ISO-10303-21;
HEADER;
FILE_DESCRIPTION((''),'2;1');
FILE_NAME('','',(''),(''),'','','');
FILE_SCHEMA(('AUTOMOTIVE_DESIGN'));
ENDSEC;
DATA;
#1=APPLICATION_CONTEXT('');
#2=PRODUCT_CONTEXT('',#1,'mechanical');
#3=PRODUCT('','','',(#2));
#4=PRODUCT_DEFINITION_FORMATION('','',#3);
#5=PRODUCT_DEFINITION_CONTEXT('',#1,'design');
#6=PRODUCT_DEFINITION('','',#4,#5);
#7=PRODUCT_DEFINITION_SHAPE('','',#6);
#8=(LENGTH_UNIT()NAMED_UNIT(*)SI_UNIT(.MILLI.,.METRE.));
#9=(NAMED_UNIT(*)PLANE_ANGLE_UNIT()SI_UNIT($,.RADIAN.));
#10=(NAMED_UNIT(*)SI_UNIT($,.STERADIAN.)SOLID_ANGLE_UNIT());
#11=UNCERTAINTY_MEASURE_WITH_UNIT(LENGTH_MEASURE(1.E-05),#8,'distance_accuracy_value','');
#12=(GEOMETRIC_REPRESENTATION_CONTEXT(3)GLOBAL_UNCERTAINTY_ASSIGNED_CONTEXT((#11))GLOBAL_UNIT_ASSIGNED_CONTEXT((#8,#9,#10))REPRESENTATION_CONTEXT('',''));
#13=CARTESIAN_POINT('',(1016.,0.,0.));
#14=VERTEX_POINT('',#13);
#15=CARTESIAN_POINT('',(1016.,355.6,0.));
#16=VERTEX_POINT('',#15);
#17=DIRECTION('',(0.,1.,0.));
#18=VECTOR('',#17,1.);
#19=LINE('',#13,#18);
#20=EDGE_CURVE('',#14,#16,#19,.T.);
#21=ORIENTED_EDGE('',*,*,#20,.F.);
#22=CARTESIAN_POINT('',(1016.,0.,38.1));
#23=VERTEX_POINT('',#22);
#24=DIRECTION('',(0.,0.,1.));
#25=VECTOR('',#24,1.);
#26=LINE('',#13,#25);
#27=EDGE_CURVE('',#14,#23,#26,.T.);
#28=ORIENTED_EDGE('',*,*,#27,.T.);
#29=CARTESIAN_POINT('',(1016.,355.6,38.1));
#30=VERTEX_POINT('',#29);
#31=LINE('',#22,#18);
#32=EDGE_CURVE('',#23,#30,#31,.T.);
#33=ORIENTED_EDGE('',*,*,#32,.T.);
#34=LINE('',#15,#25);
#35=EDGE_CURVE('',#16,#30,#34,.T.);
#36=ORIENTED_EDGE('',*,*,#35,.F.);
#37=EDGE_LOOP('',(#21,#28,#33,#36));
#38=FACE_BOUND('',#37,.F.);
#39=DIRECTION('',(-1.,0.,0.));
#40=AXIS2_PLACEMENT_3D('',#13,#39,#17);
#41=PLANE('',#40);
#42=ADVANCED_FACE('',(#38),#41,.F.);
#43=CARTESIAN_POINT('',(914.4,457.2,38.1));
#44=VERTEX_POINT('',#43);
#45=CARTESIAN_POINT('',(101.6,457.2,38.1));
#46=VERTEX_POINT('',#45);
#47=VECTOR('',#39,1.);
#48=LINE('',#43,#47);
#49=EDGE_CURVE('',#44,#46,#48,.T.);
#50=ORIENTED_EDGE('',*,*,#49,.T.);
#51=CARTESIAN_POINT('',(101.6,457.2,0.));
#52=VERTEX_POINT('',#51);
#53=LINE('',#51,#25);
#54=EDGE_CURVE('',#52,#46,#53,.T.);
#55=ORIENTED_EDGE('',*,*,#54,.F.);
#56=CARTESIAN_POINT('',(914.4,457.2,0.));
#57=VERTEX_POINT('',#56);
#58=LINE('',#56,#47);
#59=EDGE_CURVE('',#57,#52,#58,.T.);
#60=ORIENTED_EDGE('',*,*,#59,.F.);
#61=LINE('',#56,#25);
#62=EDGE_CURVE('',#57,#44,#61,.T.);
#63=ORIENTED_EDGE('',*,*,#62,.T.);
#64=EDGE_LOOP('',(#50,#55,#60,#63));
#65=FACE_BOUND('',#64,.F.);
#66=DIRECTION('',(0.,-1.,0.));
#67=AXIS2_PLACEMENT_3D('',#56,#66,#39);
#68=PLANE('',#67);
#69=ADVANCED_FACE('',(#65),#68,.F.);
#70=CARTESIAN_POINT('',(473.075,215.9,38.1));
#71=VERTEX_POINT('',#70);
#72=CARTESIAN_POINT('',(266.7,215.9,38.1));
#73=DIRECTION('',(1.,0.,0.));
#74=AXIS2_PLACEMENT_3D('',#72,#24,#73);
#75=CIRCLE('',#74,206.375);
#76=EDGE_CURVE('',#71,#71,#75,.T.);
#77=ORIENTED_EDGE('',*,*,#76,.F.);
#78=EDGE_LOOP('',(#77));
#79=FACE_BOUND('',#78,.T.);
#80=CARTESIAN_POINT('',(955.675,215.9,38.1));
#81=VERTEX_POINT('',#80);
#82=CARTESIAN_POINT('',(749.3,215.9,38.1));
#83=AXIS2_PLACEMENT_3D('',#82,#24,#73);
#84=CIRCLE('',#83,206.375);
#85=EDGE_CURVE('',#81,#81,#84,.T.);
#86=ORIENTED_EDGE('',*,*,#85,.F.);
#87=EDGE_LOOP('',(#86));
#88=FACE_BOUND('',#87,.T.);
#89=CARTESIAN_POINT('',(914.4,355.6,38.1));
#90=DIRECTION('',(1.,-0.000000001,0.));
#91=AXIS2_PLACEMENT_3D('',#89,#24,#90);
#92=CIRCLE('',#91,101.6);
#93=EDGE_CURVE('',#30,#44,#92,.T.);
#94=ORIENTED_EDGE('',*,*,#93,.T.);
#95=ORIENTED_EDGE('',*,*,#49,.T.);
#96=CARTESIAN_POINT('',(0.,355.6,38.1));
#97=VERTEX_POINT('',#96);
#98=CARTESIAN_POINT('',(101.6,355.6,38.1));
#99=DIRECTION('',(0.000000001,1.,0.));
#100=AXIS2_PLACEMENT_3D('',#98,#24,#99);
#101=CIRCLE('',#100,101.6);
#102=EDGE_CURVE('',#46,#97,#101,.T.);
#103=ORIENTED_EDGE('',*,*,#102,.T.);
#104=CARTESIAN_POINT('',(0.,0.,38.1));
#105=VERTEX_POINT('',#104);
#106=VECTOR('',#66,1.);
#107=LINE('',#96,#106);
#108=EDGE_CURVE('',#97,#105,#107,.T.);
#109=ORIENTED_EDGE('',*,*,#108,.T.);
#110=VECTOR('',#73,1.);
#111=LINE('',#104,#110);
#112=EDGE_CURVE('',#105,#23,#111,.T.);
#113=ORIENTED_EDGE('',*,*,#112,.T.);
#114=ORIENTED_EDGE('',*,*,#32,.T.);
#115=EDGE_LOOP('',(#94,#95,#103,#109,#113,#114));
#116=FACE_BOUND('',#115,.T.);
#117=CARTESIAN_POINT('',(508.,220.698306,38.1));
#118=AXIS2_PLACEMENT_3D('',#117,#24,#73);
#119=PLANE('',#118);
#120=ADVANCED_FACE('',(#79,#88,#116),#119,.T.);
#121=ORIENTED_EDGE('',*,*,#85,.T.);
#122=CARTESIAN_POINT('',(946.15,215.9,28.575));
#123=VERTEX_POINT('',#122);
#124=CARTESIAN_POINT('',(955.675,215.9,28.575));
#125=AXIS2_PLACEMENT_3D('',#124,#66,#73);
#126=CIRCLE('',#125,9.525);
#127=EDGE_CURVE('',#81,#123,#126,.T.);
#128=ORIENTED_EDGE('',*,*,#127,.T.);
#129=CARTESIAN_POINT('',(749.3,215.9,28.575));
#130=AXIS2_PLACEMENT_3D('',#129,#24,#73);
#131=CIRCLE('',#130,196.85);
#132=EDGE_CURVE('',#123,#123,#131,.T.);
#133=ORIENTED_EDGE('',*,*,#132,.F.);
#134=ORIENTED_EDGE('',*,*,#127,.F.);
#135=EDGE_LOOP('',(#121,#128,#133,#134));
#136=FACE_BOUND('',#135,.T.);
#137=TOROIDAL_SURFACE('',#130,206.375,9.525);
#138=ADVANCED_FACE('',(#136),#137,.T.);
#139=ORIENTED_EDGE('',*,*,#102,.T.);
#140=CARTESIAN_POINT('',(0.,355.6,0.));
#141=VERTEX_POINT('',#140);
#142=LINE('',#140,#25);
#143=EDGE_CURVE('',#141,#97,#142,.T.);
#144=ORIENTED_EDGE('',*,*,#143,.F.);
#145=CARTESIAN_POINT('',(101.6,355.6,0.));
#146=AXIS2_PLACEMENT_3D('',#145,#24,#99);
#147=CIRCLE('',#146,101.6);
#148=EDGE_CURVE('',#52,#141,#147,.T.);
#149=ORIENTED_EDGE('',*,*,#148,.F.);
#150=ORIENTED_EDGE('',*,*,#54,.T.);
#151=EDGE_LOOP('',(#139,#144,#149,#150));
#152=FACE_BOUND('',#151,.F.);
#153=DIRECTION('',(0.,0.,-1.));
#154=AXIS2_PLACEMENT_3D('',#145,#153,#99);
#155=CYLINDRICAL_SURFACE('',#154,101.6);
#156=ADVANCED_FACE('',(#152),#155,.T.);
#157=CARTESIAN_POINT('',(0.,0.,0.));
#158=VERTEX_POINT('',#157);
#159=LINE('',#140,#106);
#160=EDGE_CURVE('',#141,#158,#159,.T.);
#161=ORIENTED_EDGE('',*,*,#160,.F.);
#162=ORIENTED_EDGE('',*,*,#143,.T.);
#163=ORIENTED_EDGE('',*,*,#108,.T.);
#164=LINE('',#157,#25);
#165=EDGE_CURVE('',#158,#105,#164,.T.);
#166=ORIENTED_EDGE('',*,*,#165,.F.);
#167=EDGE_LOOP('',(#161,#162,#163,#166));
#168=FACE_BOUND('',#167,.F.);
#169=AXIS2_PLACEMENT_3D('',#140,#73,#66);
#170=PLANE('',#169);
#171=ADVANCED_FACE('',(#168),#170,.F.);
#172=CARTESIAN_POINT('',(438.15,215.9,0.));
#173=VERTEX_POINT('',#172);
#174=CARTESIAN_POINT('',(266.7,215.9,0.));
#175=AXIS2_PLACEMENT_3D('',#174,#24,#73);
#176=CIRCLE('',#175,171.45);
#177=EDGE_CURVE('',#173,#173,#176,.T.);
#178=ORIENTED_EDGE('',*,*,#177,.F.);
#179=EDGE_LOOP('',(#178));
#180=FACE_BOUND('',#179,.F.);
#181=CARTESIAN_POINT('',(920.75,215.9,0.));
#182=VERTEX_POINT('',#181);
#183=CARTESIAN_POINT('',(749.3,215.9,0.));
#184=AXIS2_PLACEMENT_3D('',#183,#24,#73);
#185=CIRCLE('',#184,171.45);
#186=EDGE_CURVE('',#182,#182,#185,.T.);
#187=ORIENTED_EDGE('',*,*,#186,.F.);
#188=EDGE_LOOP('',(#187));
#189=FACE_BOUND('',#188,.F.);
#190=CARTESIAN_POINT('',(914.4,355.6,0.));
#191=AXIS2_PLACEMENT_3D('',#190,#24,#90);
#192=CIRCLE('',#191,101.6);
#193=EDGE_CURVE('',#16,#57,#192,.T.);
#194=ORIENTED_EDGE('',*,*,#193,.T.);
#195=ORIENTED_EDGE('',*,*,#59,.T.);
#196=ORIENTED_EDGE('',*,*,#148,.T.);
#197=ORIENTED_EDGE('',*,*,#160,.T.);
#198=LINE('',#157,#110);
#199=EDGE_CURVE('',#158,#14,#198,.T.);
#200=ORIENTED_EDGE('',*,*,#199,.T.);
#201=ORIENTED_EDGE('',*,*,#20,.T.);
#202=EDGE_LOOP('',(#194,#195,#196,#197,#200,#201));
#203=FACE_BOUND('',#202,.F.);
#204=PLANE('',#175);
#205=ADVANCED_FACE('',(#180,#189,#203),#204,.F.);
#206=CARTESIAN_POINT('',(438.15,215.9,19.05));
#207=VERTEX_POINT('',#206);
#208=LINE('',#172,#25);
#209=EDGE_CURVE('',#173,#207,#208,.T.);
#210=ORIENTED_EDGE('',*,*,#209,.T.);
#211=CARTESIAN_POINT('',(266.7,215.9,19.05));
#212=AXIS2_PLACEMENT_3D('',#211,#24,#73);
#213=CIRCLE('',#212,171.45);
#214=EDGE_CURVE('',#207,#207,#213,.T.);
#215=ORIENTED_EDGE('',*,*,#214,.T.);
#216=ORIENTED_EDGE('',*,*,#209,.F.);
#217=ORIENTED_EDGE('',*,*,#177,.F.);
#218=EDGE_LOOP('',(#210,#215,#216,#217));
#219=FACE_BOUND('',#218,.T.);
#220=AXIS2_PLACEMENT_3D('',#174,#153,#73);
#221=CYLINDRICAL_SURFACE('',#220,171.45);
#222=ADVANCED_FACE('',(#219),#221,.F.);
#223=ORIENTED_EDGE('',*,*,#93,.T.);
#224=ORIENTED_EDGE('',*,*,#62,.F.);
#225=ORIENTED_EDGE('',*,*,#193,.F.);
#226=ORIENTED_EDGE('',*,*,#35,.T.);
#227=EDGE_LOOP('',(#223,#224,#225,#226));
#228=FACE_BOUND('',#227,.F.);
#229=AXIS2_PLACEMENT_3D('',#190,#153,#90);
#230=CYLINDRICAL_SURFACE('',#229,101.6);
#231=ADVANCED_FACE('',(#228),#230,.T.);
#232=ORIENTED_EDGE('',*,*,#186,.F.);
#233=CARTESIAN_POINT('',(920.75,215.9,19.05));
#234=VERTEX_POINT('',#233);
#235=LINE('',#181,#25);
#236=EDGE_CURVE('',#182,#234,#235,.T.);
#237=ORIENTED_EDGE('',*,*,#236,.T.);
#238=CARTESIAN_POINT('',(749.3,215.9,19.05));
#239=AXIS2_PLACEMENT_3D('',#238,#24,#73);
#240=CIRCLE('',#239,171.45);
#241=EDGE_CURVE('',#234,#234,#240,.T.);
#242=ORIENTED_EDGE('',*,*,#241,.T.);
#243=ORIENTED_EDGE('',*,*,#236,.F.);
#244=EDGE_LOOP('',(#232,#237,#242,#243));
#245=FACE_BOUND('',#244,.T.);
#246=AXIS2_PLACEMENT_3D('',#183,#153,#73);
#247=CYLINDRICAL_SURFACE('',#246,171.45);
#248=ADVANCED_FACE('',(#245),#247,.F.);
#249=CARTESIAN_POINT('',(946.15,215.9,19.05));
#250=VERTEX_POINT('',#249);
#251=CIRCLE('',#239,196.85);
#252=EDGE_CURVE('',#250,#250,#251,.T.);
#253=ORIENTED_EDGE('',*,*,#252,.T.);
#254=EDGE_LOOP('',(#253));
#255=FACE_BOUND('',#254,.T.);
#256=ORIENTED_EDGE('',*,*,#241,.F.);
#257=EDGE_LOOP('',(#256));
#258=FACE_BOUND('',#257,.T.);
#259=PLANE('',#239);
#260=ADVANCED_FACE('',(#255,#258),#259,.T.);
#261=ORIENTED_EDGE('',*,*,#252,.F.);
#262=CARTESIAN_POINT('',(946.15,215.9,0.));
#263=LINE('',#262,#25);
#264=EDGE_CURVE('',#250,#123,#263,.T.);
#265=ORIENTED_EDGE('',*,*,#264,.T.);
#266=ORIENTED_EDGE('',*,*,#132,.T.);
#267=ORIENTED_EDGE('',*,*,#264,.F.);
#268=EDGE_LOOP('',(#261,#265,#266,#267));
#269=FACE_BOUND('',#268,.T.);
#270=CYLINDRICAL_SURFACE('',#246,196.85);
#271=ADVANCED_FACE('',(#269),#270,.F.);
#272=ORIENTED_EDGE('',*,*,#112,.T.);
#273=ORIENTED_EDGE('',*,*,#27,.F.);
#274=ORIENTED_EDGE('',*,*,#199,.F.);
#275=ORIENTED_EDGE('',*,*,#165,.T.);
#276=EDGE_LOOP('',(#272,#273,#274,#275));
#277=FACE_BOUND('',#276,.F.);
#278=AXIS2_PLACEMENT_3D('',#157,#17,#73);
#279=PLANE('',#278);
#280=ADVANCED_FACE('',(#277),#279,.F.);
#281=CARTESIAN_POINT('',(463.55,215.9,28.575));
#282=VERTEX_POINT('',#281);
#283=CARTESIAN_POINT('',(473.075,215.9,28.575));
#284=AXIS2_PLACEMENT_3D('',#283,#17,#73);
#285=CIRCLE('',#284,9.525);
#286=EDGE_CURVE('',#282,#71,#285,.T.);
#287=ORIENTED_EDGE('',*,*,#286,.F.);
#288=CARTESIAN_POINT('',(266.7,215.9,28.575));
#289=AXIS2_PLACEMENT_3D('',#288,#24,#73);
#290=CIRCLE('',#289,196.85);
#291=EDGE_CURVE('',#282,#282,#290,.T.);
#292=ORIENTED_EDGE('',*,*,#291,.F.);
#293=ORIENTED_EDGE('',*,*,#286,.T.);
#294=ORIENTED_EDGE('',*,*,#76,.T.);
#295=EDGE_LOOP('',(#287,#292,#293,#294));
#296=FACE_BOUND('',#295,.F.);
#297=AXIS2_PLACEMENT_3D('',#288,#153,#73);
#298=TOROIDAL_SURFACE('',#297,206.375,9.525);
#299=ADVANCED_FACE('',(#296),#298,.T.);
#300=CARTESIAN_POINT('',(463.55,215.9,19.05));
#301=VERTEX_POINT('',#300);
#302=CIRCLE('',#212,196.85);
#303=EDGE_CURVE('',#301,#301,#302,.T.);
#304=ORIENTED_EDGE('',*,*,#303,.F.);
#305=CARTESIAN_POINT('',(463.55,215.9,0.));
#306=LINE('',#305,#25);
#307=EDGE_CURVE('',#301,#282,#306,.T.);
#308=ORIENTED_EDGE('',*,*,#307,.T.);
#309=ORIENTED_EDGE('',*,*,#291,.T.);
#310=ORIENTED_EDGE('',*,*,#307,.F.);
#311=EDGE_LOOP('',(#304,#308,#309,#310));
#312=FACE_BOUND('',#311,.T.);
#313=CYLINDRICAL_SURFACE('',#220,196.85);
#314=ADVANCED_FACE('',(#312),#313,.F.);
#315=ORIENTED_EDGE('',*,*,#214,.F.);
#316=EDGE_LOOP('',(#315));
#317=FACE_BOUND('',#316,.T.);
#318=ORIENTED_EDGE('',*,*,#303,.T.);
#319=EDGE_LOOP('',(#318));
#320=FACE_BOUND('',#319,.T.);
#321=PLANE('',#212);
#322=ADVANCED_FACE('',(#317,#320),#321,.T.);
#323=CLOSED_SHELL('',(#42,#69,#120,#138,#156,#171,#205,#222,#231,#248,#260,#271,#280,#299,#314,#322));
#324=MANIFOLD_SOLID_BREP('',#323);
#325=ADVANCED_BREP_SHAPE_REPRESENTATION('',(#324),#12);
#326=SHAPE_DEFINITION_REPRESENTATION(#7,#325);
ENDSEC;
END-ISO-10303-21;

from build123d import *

# Parameters (mm, degrees)
F0_R     = 196.85
F1_DEPTH = 38.1
F0_R_2   = 171.45
F2_DEPTH = 19.05
F3_R     = 9.525


with BuildPart() as f1:
    # F0 (on Top) → F1 (new body)
    with BuildSketch(Plane.XY):
        with BuildLine():
            Line((0, 355.6), (0, 0))
            Line((0, 0), (1016, 0))
            Line((1016, 0), (1016, 355.6))
            ThreePointArc((1016, 355.6), (986.242049, 427.442049), (914.4, 457.2))
            Line((914.4, 457.2), (101.6, 457.2))
            ThreePointArc((101.6, 457.2), (29.757951, 427.442049), (0, 355.6))
        make_face()
        with Locations((266.7, 215.9)):
            Circle(F0_R, mode=Mode.SUBTRACT)
        with Locations((749.3, 215.9)):
            Circle(F0_R, mode=Mode.SUBTRACT)
    extrude(amount=F1_DEPTH)

    # F0 (on Top) → F2 (join)
    with BuildSketch(Plane.XY):
        with Locations((266.7, 215.9)):
            Circle(F0_R)
        with Locations((266.7, 215.9)):
            Circle(F0_R_2, mode=Mode.SUBTRACT)
        with Locations((749.3, 215.9)):
            Circle(F0_R)
        with Locations((749.3, 215.9)):
            Circle(F0_R_2, mode=Mode.SUBTRACT)
    extrude(amount=F2_DEPTH)

    # F3
    f3_edges = [f1.edges().sort_by_distance(p)[0] for p in [
        (69.85, 215.9, 38.1),
        (552.45, 215.9, 38.1),
    ]]
    fillet(f3_edges, radius=F3_R)


solid = f1.part
